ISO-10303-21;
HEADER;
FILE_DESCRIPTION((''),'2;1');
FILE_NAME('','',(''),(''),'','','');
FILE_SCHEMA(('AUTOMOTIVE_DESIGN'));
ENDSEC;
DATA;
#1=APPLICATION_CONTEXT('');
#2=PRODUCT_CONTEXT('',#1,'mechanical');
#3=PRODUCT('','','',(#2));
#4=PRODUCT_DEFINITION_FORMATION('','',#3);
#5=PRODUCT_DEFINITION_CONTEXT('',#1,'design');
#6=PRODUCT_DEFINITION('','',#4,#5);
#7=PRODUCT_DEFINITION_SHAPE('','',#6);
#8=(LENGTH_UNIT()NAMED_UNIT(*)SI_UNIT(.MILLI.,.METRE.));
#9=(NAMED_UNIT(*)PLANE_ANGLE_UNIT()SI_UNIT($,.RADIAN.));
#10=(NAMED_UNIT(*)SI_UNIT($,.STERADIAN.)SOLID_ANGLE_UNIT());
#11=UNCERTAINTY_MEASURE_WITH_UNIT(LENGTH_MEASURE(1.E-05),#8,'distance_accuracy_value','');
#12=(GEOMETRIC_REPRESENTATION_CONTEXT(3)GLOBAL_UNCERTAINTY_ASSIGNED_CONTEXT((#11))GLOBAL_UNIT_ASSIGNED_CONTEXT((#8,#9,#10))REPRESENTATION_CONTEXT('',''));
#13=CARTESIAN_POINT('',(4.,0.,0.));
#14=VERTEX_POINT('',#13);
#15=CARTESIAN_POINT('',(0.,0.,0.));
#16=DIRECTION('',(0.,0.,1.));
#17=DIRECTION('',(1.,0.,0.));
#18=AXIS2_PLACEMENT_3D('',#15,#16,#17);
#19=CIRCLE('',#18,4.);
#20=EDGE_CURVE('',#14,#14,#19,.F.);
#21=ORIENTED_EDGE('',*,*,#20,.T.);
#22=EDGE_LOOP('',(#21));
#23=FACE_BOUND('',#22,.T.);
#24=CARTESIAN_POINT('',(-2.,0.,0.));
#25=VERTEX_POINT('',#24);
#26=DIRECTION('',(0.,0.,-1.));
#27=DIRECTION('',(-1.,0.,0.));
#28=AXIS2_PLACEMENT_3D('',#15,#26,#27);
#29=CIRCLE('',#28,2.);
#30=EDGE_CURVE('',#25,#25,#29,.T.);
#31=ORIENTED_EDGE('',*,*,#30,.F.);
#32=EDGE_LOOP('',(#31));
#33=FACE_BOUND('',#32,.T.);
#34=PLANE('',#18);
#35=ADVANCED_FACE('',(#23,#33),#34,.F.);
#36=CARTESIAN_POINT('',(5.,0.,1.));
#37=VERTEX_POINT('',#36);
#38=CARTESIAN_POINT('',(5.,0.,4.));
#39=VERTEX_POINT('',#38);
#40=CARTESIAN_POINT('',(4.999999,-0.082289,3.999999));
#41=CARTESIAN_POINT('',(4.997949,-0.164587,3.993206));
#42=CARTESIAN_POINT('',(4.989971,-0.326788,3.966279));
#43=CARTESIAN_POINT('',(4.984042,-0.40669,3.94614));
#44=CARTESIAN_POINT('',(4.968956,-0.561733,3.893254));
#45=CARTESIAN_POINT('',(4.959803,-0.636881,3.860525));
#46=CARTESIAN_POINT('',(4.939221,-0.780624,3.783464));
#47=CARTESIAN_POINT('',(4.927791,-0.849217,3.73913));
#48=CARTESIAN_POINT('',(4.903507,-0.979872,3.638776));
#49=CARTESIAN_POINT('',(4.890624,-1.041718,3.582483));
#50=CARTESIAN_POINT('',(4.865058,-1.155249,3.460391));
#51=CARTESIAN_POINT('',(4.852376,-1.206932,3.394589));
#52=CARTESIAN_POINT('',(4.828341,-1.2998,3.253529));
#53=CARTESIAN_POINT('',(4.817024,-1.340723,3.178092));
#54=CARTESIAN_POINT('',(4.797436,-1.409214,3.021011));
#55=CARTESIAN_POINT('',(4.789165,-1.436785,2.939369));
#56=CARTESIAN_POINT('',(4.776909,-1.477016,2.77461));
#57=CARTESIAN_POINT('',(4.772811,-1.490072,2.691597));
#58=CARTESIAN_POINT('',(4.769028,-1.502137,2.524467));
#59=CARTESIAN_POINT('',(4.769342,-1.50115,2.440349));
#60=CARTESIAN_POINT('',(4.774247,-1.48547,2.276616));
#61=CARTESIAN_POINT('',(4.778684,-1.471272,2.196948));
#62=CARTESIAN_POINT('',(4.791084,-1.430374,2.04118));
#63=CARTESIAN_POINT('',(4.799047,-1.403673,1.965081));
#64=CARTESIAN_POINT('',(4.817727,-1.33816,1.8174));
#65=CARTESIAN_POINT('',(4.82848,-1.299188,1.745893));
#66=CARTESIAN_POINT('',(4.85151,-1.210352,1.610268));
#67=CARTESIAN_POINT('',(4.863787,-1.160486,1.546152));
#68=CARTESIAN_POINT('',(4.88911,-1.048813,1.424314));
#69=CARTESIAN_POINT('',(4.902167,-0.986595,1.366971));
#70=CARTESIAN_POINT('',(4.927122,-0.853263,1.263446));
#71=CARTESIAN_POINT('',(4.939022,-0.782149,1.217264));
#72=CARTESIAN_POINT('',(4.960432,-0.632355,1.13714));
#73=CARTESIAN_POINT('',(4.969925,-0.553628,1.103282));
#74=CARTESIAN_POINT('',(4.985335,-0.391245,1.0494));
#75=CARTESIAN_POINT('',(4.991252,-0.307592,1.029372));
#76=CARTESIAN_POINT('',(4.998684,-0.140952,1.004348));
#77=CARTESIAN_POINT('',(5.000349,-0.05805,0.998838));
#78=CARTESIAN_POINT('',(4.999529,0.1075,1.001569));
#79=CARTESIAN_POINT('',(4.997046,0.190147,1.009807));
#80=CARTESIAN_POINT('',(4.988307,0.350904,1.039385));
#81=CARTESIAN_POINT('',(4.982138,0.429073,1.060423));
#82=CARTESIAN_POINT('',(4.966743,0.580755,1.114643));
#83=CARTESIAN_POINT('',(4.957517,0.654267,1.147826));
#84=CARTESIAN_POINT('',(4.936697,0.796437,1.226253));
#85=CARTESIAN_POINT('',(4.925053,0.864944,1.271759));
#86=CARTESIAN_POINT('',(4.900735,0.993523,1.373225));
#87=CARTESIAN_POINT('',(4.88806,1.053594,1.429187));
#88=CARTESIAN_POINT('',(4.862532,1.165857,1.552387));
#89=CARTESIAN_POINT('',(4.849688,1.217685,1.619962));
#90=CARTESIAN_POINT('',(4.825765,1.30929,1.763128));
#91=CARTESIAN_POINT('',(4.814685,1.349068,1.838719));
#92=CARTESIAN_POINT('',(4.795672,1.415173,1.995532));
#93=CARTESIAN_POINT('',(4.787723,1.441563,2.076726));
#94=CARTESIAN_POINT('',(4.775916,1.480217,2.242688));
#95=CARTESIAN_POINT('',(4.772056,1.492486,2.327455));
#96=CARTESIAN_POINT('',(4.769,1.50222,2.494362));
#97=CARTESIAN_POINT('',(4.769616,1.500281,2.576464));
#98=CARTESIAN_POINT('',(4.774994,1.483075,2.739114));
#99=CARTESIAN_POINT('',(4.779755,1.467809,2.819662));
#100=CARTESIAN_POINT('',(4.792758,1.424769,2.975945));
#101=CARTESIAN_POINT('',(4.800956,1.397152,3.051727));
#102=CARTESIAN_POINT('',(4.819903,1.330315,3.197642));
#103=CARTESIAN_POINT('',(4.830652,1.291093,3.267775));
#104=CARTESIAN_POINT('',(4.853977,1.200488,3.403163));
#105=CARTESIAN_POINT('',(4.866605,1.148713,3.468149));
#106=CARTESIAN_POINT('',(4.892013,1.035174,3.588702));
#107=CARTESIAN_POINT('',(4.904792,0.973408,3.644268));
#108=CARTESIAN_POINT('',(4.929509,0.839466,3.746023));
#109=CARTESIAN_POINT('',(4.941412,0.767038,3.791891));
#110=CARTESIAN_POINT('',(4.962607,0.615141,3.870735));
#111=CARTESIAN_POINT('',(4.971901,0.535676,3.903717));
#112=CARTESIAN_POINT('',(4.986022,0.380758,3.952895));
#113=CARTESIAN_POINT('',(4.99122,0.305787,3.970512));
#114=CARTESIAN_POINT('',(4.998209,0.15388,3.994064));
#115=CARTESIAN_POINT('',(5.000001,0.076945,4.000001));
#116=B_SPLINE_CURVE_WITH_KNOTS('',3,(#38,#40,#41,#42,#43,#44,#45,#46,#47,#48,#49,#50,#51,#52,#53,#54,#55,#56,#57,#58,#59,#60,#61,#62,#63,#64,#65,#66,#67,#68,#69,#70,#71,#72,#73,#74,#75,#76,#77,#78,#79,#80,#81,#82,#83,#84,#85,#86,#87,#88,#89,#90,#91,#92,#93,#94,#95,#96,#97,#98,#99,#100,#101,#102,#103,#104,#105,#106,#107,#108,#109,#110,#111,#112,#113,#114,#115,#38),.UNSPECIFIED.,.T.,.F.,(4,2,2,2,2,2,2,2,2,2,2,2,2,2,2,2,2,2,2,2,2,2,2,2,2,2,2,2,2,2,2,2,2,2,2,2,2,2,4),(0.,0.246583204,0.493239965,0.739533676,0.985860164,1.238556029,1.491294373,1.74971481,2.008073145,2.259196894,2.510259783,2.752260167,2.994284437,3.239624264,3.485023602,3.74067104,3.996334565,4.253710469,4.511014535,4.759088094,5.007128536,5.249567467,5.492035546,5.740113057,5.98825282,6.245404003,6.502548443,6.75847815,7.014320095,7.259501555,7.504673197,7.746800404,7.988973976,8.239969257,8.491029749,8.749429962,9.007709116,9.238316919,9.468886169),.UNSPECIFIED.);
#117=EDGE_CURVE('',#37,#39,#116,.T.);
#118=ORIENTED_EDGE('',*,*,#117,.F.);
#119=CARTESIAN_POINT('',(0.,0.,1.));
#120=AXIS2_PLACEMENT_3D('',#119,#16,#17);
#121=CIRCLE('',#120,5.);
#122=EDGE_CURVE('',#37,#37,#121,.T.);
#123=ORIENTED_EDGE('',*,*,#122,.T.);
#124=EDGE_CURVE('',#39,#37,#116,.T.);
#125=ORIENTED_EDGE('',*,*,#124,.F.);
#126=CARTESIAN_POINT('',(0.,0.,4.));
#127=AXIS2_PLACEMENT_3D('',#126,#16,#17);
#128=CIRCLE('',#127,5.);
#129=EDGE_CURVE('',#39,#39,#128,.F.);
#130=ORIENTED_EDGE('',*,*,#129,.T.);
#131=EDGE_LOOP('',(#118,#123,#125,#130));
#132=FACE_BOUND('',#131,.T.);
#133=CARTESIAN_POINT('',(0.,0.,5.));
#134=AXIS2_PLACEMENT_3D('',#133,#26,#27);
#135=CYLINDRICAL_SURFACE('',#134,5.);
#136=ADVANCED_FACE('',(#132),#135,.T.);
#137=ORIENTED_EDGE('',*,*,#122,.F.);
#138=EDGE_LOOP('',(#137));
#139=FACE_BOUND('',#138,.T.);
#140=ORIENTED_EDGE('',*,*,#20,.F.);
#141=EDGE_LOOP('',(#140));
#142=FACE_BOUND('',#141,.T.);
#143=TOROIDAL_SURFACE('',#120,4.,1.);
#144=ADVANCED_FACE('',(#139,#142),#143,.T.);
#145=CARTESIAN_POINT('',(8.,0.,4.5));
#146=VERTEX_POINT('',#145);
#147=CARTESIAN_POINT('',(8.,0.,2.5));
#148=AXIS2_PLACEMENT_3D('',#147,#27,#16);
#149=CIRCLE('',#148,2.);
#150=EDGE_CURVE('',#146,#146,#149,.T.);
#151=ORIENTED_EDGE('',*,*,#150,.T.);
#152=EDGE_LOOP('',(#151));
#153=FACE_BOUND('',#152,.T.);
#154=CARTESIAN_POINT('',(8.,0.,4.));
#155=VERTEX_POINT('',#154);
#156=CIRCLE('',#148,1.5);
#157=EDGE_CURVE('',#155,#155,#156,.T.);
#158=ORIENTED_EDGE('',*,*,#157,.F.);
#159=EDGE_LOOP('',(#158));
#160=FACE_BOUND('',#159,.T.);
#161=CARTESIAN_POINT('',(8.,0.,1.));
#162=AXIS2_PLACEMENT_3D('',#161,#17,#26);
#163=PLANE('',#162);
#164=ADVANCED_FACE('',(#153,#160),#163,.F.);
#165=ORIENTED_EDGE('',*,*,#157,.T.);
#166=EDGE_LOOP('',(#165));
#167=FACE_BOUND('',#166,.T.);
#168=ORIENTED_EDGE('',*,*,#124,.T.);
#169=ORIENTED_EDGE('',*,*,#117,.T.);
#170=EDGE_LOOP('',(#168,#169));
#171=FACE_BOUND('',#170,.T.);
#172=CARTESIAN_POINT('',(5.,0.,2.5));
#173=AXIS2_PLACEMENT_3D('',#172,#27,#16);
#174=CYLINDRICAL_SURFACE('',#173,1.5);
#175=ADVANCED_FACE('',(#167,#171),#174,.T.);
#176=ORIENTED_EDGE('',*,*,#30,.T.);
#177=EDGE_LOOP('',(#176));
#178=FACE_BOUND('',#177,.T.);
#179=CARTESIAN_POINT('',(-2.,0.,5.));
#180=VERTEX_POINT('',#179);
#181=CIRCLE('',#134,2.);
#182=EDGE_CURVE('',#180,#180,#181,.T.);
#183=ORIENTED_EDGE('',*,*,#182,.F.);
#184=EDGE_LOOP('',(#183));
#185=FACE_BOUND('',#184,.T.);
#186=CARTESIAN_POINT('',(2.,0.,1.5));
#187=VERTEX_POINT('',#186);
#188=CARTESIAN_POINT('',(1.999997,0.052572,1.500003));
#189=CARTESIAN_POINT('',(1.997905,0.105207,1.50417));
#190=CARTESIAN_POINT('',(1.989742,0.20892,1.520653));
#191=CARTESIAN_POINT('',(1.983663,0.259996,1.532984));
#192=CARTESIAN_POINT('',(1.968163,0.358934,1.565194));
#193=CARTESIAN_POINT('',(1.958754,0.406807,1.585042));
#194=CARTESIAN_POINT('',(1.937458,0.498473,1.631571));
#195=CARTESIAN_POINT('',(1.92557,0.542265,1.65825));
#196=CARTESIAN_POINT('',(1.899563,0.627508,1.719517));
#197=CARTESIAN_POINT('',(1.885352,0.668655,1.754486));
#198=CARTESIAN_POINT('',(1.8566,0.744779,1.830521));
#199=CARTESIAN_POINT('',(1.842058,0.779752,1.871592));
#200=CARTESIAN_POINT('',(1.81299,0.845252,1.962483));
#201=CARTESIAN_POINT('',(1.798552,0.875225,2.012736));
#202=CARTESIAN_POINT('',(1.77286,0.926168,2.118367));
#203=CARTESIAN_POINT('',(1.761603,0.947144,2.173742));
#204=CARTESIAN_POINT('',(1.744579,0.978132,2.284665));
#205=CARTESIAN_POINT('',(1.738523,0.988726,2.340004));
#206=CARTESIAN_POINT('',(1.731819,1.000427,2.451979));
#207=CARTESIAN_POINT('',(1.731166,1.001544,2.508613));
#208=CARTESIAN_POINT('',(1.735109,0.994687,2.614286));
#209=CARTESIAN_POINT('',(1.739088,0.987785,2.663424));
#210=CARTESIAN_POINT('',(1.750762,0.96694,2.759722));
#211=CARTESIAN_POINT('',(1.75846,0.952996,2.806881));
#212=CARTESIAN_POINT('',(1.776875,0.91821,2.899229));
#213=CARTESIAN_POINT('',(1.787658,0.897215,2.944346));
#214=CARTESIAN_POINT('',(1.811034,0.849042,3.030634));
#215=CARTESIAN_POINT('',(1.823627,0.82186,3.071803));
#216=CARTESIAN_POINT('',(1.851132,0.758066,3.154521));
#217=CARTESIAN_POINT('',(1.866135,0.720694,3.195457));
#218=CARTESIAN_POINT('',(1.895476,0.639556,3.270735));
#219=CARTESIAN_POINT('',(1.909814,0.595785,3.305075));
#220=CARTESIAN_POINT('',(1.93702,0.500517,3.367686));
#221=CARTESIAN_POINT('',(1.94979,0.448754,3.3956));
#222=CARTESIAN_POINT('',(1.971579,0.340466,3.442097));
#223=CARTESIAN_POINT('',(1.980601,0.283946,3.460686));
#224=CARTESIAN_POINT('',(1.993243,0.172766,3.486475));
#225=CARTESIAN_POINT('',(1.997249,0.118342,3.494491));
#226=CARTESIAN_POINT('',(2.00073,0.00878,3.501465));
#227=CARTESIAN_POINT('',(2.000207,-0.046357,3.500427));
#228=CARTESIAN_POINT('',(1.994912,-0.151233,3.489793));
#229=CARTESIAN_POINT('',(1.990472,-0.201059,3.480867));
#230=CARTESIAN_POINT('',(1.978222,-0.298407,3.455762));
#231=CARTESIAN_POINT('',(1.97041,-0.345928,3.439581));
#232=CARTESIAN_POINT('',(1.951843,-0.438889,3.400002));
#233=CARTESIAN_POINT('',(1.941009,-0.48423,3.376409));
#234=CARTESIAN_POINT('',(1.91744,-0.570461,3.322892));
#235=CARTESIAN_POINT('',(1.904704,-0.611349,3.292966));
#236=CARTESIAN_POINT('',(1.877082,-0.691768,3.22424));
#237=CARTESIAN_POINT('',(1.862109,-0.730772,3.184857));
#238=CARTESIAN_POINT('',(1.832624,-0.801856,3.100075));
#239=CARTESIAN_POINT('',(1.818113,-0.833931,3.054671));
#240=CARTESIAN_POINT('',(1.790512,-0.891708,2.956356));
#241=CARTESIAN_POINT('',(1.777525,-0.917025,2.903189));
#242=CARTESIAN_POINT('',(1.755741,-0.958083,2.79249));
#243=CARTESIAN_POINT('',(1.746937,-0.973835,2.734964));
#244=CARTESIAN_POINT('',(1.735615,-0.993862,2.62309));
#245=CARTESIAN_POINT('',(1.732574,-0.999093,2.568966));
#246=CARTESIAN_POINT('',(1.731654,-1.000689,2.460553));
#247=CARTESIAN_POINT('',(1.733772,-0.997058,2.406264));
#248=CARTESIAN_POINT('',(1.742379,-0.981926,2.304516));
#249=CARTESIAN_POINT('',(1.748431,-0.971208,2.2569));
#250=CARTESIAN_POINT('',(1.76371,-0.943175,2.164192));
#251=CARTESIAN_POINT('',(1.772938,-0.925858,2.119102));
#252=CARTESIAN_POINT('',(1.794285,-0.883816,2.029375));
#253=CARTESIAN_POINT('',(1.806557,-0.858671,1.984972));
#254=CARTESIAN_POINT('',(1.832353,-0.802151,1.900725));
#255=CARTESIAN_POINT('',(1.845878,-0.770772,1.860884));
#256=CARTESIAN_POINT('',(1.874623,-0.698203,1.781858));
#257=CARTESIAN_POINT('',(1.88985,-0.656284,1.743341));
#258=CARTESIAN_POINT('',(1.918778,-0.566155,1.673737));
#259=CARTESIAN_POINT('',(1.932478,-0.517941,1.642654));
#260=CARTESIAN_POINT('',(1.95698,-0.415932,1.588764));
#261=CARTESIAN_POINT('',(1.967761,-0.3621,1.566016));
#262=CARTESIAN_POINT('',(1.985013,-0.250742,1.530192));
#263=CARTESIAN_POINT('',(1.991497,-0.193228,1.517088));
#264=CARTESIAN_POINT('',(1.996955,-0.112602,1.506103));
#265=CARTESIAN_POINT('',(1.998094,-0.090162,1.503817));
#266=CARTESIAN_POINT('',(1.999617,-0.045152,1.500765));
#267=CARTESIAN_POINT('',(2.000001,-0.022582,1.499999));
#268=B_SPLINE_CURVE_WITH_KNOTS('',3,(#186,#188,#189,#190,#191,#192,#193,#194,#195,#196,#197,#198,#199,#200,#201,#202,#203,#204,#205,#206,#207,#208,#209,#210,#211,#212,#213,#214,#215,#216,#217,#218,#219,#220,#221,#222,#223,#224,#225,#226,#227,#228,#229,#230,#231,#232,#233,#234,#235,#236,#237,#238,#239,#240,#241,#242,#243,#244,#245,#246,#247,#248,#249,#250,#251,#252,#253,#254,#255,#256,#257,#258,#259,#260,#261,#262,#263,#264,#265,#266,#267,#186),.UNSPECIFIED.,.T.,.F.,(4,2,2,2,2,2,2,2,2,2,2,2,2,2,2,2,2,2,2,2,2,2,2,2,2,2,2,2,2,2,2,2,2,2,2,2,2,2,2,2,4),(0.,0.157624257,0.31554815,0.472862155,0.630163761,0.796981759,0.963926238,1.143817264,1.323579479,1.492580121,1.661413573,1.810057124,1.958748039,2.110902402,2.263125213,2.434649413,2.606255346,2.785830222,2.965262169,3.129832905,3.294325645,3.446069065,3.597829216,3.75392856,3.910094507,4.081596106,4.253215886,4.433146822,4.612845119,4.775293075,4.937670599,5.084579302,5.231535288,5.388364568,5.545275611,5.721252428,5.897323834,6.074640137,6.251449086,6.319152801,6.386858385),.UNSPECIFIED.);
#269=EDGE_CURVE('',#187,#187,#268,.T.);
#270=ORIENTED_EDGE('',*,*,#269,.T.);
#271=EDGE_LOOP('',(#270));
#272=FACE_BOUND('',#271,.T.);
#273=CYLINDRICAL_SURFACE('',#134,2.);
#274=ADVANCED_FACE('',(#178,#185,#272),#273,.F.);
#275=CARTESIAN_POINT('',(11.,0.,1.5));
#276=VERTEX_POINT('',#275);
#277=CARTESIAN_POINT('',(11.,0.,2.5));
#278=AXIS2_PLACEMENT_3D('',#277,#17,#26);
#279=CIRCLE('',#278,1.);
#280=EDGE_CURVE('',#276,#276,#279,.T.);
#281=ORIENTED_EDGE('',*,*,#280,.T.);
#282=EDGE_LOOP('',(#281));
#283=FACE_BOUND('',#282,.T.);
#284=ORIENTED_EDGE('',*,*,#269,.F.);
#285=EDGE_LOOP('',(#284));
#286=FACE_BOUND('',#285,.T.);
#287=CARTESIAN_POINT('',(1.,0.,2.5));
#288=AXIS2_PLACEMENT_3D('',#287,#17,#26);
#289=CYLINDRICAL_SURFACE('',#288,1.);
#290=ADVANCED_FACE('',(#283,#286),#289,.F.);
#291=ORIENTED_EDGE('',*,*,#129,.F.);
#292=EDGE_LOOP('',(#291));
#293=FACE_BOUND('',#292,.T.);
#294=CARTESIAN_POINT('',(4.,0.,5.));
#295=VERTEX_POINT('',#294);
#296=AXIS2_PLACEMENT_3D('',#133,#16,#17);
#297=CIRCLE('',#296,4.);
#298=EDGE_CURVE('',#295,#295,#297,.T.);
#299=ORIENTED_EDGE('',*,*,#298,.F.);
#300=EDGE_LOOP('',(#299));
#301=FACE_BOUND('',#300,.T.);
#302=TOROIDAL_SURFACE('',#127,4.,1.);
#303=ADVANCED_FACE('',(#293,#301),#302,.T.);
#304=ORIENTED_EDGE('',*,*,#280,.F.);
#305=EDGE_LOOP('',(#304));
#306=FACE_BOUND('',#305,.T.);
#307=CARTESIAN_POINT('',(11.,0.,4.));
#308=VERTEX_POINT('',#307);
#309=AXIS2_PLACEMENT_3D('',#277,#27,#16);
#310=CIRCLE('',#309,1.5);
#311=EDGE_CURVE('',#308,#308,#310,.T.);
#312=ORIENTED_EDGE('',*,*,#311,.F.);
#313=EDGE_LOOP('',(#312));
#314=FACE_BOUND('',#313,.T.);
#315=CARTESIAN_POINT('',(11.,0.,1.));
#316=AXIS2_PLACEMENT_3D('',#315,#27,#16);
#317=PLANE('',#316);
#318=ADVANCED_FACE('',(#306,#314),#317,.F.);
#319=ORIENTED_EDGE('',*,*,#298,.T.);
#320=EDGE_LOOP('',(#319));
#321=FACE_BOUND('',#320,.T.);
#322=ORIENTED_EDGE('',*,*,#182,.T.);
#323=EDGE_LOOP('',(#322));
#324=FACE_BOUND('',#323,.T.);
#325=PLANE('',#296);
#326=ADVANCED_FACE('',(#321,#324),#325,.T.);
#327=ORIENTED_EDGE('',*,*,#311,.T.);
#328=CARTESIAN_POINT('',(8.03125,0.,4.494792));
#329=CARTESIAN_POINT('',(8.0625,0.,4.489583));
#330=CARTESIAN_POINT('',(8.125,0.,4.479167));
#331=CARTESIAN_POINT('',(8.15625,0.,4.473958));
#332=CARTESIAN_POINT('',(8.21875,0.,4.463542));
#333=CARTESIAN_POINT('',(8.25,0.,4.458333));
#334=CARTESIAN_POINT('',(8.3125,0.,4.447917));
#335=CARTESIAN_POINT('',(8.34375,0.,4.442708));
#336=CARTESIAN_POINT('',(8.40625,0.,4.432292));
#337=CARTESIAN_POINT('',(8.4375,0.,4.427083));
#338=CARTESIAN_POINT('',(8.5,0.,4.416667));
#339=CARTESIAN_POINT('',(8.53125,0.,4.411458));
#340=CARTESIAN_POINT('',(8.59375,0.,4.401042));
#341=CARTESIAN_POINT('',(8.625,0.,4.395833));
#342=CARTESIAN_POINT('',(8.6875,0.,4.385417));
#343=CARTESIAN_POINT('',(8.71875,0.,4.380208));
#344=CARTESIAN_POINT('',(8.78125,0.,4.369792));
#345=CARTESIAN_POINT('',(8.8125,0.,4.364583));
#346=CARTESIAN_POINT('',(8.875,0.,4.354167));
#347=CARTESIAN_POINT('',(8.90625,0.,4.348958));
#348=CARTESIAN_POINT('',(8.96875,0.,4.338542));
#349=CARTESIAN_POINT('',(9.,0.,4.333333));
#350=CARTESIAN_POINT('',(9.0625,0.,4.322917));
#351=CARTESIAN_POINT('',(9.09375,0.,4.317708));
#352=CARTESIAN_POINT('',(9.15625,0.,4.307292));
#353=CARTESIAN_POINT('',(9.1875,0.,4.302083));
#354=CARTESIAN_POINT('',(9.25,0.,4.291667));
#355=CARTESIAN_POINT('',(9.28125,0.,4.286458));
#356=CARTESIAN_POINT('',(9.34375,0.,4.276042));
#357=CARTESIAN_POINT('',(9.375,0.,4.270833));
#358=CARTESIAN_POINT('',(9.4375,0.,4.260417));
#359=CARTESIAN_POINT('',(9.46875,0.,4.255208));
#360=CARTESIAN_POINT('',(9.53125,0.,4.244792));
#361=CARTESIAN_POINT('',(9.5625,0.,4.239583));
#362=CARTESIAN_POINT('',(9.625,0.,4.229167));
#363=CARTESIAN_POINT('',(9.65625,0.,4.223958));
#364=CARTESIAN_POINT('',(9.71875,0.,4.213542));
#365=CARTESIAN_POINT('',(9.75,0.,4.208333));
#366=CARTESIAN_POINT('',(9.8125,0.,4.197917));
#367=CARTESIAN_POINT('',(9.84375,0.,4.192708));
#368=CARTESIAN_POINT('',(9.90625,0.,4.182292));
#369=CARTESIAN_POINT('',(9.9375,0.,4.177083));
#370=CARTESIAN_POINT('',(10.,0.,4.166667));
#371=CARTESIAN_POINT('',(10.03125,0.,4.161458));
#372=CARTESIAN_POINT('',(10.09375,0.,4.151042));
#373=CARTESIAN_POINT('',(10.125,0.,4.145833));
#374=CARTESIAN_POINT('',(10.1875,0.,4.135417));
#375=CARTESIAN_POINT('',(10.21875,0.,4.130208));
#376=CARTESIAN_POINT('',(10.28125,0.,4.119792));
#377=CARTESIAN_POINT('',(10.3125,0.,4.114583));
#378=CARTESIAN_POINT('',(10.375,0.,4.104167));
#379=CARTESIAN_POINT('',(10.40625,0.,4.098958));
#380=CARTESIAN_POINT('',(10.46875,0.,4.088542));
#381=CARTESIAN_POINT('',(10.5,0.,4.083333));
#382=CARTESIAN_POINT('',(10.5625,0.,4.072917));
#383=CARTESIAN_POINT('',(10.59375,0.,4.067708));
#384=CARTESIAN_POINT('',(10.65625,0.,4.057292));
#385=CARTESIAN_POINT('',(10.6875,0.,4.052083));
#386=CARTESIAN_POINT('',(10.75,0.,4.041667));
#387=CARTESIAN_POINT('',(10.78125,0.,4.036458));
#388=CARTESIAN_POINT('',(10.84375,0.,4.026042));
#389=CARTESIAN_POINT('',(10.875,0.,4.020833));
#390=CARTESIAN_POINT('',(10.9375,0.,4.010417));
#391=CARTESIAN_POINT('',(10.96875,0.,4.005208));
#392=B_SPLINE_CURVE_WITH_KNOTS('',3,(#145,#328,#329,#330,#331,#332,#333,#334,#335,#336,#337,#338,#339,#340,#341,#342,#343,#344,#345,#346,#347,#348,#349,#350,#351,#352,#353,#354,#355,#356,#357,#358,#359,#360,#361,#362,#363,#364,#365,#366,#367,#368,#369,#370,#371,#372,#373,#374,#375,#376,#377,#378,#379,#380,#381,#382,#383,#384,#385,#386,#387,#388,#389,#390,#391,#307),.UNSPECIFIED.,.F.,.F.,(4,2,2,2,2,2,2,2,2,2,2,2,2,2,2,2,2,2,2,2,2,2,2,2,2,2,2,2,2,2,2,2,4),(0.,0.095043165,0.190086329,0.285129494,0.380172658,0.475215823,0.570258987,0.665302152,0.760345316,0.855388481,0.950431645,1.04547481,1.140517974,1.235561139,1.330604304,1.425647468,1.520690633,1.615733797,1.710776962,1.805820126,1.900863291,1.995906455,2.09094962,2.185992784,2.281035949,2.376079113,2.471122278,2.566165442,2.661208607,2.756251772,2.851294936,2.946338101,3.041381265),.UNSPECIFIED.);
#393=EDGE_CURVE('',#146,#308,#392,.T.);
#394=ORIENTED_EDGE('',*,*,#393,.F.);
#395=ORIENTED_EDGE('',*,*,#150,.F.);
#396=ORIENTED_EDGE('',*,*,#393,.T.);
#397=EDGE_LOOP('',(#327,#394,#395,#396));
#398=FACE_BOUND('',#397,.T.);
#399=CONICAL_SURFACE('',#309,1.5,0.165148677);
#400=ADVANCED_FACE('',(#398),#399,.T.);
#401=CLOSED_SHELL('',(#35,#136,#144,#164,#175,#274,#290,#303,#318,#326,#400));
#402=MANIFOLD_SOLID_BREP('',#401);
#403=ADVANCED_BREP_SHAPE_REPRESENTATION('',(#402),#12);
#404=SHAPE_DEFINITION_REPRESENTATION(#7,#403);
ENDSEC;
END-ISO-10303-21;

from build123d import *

# Parameters (mm, degrees)
SKETCH1_R           = 5
BOSS_EXTRUDE1_DEPTH = 5
FILLET1_R           = 1
SKETCH2_R           = 2
CUT_EXTRUDE1_DEPTH  = 5
SKETCH4_R           = 1
CUT_EXTRUDE2_DEPTH  = 10


with BuildPart() as part:
    # Sketch1 → Boss-Extrude1 (new body)
    with BuildSketch(Plane.XY):
        Circle(SKETCH1_R)
    extrude(amount=BOSS_EXTRUDE1_DEPTH)

    # Fillet1
    fillet1_edges = [part.edges().sort_by_distance(p)[0] for p in [
        (-5, 0, 0),
        (-5, 0, 5),
    ]]
    fillet(fillet1_edges, radius=FILLET1_R)

    # Sketch2 → Cut-Extrude1 (cut)
    with BuildSketch(Plane(origin=(0, 0, 0), x_dir=(-1, 0, 0), z_dir=(0, 0, -1))):
        Circle(SKETCH2_R)
    extrude(amount=-CUT_EXTRUDE1_DEPTH, mode=Mode.SUBTRACT)

    # Sketch3 → Revolve1 (revolve)
    with BuildSketch(Plane(origin=(0, 0, 0), x_dir=(1, 0, 0), z_dir=(0, 1, 0)), mode=Mode.PRIVATE) as revolve1_sk:
        Polygon((4.094510591, -1), (8, -1), (8, -0.5), (11, -1), (11, -2.5), (4.094510591, -2.5), align=None)
    revolve(revolve1_sk.sketch.rotate(Axis((5, 0, 2.5), (1, 0, 0)), 180), axis=Axis((5, 0, 2.5), (1, 0, 0)))

    # Sketch4 → Cut-Extrude2 (cut)
    with BuildSketch(Plane(origin=(11, 0, 0), x_dir=(0, 0, -1), z_dir=(1, 0, 0))):
        with Locations((-2.5, 0)):
            Circle(SKETCH4_R)
    extrude(amount=-CUT_EXTRUDE2_DEPTH, mode=Mode.SUBTRACT)


solid = part.part
